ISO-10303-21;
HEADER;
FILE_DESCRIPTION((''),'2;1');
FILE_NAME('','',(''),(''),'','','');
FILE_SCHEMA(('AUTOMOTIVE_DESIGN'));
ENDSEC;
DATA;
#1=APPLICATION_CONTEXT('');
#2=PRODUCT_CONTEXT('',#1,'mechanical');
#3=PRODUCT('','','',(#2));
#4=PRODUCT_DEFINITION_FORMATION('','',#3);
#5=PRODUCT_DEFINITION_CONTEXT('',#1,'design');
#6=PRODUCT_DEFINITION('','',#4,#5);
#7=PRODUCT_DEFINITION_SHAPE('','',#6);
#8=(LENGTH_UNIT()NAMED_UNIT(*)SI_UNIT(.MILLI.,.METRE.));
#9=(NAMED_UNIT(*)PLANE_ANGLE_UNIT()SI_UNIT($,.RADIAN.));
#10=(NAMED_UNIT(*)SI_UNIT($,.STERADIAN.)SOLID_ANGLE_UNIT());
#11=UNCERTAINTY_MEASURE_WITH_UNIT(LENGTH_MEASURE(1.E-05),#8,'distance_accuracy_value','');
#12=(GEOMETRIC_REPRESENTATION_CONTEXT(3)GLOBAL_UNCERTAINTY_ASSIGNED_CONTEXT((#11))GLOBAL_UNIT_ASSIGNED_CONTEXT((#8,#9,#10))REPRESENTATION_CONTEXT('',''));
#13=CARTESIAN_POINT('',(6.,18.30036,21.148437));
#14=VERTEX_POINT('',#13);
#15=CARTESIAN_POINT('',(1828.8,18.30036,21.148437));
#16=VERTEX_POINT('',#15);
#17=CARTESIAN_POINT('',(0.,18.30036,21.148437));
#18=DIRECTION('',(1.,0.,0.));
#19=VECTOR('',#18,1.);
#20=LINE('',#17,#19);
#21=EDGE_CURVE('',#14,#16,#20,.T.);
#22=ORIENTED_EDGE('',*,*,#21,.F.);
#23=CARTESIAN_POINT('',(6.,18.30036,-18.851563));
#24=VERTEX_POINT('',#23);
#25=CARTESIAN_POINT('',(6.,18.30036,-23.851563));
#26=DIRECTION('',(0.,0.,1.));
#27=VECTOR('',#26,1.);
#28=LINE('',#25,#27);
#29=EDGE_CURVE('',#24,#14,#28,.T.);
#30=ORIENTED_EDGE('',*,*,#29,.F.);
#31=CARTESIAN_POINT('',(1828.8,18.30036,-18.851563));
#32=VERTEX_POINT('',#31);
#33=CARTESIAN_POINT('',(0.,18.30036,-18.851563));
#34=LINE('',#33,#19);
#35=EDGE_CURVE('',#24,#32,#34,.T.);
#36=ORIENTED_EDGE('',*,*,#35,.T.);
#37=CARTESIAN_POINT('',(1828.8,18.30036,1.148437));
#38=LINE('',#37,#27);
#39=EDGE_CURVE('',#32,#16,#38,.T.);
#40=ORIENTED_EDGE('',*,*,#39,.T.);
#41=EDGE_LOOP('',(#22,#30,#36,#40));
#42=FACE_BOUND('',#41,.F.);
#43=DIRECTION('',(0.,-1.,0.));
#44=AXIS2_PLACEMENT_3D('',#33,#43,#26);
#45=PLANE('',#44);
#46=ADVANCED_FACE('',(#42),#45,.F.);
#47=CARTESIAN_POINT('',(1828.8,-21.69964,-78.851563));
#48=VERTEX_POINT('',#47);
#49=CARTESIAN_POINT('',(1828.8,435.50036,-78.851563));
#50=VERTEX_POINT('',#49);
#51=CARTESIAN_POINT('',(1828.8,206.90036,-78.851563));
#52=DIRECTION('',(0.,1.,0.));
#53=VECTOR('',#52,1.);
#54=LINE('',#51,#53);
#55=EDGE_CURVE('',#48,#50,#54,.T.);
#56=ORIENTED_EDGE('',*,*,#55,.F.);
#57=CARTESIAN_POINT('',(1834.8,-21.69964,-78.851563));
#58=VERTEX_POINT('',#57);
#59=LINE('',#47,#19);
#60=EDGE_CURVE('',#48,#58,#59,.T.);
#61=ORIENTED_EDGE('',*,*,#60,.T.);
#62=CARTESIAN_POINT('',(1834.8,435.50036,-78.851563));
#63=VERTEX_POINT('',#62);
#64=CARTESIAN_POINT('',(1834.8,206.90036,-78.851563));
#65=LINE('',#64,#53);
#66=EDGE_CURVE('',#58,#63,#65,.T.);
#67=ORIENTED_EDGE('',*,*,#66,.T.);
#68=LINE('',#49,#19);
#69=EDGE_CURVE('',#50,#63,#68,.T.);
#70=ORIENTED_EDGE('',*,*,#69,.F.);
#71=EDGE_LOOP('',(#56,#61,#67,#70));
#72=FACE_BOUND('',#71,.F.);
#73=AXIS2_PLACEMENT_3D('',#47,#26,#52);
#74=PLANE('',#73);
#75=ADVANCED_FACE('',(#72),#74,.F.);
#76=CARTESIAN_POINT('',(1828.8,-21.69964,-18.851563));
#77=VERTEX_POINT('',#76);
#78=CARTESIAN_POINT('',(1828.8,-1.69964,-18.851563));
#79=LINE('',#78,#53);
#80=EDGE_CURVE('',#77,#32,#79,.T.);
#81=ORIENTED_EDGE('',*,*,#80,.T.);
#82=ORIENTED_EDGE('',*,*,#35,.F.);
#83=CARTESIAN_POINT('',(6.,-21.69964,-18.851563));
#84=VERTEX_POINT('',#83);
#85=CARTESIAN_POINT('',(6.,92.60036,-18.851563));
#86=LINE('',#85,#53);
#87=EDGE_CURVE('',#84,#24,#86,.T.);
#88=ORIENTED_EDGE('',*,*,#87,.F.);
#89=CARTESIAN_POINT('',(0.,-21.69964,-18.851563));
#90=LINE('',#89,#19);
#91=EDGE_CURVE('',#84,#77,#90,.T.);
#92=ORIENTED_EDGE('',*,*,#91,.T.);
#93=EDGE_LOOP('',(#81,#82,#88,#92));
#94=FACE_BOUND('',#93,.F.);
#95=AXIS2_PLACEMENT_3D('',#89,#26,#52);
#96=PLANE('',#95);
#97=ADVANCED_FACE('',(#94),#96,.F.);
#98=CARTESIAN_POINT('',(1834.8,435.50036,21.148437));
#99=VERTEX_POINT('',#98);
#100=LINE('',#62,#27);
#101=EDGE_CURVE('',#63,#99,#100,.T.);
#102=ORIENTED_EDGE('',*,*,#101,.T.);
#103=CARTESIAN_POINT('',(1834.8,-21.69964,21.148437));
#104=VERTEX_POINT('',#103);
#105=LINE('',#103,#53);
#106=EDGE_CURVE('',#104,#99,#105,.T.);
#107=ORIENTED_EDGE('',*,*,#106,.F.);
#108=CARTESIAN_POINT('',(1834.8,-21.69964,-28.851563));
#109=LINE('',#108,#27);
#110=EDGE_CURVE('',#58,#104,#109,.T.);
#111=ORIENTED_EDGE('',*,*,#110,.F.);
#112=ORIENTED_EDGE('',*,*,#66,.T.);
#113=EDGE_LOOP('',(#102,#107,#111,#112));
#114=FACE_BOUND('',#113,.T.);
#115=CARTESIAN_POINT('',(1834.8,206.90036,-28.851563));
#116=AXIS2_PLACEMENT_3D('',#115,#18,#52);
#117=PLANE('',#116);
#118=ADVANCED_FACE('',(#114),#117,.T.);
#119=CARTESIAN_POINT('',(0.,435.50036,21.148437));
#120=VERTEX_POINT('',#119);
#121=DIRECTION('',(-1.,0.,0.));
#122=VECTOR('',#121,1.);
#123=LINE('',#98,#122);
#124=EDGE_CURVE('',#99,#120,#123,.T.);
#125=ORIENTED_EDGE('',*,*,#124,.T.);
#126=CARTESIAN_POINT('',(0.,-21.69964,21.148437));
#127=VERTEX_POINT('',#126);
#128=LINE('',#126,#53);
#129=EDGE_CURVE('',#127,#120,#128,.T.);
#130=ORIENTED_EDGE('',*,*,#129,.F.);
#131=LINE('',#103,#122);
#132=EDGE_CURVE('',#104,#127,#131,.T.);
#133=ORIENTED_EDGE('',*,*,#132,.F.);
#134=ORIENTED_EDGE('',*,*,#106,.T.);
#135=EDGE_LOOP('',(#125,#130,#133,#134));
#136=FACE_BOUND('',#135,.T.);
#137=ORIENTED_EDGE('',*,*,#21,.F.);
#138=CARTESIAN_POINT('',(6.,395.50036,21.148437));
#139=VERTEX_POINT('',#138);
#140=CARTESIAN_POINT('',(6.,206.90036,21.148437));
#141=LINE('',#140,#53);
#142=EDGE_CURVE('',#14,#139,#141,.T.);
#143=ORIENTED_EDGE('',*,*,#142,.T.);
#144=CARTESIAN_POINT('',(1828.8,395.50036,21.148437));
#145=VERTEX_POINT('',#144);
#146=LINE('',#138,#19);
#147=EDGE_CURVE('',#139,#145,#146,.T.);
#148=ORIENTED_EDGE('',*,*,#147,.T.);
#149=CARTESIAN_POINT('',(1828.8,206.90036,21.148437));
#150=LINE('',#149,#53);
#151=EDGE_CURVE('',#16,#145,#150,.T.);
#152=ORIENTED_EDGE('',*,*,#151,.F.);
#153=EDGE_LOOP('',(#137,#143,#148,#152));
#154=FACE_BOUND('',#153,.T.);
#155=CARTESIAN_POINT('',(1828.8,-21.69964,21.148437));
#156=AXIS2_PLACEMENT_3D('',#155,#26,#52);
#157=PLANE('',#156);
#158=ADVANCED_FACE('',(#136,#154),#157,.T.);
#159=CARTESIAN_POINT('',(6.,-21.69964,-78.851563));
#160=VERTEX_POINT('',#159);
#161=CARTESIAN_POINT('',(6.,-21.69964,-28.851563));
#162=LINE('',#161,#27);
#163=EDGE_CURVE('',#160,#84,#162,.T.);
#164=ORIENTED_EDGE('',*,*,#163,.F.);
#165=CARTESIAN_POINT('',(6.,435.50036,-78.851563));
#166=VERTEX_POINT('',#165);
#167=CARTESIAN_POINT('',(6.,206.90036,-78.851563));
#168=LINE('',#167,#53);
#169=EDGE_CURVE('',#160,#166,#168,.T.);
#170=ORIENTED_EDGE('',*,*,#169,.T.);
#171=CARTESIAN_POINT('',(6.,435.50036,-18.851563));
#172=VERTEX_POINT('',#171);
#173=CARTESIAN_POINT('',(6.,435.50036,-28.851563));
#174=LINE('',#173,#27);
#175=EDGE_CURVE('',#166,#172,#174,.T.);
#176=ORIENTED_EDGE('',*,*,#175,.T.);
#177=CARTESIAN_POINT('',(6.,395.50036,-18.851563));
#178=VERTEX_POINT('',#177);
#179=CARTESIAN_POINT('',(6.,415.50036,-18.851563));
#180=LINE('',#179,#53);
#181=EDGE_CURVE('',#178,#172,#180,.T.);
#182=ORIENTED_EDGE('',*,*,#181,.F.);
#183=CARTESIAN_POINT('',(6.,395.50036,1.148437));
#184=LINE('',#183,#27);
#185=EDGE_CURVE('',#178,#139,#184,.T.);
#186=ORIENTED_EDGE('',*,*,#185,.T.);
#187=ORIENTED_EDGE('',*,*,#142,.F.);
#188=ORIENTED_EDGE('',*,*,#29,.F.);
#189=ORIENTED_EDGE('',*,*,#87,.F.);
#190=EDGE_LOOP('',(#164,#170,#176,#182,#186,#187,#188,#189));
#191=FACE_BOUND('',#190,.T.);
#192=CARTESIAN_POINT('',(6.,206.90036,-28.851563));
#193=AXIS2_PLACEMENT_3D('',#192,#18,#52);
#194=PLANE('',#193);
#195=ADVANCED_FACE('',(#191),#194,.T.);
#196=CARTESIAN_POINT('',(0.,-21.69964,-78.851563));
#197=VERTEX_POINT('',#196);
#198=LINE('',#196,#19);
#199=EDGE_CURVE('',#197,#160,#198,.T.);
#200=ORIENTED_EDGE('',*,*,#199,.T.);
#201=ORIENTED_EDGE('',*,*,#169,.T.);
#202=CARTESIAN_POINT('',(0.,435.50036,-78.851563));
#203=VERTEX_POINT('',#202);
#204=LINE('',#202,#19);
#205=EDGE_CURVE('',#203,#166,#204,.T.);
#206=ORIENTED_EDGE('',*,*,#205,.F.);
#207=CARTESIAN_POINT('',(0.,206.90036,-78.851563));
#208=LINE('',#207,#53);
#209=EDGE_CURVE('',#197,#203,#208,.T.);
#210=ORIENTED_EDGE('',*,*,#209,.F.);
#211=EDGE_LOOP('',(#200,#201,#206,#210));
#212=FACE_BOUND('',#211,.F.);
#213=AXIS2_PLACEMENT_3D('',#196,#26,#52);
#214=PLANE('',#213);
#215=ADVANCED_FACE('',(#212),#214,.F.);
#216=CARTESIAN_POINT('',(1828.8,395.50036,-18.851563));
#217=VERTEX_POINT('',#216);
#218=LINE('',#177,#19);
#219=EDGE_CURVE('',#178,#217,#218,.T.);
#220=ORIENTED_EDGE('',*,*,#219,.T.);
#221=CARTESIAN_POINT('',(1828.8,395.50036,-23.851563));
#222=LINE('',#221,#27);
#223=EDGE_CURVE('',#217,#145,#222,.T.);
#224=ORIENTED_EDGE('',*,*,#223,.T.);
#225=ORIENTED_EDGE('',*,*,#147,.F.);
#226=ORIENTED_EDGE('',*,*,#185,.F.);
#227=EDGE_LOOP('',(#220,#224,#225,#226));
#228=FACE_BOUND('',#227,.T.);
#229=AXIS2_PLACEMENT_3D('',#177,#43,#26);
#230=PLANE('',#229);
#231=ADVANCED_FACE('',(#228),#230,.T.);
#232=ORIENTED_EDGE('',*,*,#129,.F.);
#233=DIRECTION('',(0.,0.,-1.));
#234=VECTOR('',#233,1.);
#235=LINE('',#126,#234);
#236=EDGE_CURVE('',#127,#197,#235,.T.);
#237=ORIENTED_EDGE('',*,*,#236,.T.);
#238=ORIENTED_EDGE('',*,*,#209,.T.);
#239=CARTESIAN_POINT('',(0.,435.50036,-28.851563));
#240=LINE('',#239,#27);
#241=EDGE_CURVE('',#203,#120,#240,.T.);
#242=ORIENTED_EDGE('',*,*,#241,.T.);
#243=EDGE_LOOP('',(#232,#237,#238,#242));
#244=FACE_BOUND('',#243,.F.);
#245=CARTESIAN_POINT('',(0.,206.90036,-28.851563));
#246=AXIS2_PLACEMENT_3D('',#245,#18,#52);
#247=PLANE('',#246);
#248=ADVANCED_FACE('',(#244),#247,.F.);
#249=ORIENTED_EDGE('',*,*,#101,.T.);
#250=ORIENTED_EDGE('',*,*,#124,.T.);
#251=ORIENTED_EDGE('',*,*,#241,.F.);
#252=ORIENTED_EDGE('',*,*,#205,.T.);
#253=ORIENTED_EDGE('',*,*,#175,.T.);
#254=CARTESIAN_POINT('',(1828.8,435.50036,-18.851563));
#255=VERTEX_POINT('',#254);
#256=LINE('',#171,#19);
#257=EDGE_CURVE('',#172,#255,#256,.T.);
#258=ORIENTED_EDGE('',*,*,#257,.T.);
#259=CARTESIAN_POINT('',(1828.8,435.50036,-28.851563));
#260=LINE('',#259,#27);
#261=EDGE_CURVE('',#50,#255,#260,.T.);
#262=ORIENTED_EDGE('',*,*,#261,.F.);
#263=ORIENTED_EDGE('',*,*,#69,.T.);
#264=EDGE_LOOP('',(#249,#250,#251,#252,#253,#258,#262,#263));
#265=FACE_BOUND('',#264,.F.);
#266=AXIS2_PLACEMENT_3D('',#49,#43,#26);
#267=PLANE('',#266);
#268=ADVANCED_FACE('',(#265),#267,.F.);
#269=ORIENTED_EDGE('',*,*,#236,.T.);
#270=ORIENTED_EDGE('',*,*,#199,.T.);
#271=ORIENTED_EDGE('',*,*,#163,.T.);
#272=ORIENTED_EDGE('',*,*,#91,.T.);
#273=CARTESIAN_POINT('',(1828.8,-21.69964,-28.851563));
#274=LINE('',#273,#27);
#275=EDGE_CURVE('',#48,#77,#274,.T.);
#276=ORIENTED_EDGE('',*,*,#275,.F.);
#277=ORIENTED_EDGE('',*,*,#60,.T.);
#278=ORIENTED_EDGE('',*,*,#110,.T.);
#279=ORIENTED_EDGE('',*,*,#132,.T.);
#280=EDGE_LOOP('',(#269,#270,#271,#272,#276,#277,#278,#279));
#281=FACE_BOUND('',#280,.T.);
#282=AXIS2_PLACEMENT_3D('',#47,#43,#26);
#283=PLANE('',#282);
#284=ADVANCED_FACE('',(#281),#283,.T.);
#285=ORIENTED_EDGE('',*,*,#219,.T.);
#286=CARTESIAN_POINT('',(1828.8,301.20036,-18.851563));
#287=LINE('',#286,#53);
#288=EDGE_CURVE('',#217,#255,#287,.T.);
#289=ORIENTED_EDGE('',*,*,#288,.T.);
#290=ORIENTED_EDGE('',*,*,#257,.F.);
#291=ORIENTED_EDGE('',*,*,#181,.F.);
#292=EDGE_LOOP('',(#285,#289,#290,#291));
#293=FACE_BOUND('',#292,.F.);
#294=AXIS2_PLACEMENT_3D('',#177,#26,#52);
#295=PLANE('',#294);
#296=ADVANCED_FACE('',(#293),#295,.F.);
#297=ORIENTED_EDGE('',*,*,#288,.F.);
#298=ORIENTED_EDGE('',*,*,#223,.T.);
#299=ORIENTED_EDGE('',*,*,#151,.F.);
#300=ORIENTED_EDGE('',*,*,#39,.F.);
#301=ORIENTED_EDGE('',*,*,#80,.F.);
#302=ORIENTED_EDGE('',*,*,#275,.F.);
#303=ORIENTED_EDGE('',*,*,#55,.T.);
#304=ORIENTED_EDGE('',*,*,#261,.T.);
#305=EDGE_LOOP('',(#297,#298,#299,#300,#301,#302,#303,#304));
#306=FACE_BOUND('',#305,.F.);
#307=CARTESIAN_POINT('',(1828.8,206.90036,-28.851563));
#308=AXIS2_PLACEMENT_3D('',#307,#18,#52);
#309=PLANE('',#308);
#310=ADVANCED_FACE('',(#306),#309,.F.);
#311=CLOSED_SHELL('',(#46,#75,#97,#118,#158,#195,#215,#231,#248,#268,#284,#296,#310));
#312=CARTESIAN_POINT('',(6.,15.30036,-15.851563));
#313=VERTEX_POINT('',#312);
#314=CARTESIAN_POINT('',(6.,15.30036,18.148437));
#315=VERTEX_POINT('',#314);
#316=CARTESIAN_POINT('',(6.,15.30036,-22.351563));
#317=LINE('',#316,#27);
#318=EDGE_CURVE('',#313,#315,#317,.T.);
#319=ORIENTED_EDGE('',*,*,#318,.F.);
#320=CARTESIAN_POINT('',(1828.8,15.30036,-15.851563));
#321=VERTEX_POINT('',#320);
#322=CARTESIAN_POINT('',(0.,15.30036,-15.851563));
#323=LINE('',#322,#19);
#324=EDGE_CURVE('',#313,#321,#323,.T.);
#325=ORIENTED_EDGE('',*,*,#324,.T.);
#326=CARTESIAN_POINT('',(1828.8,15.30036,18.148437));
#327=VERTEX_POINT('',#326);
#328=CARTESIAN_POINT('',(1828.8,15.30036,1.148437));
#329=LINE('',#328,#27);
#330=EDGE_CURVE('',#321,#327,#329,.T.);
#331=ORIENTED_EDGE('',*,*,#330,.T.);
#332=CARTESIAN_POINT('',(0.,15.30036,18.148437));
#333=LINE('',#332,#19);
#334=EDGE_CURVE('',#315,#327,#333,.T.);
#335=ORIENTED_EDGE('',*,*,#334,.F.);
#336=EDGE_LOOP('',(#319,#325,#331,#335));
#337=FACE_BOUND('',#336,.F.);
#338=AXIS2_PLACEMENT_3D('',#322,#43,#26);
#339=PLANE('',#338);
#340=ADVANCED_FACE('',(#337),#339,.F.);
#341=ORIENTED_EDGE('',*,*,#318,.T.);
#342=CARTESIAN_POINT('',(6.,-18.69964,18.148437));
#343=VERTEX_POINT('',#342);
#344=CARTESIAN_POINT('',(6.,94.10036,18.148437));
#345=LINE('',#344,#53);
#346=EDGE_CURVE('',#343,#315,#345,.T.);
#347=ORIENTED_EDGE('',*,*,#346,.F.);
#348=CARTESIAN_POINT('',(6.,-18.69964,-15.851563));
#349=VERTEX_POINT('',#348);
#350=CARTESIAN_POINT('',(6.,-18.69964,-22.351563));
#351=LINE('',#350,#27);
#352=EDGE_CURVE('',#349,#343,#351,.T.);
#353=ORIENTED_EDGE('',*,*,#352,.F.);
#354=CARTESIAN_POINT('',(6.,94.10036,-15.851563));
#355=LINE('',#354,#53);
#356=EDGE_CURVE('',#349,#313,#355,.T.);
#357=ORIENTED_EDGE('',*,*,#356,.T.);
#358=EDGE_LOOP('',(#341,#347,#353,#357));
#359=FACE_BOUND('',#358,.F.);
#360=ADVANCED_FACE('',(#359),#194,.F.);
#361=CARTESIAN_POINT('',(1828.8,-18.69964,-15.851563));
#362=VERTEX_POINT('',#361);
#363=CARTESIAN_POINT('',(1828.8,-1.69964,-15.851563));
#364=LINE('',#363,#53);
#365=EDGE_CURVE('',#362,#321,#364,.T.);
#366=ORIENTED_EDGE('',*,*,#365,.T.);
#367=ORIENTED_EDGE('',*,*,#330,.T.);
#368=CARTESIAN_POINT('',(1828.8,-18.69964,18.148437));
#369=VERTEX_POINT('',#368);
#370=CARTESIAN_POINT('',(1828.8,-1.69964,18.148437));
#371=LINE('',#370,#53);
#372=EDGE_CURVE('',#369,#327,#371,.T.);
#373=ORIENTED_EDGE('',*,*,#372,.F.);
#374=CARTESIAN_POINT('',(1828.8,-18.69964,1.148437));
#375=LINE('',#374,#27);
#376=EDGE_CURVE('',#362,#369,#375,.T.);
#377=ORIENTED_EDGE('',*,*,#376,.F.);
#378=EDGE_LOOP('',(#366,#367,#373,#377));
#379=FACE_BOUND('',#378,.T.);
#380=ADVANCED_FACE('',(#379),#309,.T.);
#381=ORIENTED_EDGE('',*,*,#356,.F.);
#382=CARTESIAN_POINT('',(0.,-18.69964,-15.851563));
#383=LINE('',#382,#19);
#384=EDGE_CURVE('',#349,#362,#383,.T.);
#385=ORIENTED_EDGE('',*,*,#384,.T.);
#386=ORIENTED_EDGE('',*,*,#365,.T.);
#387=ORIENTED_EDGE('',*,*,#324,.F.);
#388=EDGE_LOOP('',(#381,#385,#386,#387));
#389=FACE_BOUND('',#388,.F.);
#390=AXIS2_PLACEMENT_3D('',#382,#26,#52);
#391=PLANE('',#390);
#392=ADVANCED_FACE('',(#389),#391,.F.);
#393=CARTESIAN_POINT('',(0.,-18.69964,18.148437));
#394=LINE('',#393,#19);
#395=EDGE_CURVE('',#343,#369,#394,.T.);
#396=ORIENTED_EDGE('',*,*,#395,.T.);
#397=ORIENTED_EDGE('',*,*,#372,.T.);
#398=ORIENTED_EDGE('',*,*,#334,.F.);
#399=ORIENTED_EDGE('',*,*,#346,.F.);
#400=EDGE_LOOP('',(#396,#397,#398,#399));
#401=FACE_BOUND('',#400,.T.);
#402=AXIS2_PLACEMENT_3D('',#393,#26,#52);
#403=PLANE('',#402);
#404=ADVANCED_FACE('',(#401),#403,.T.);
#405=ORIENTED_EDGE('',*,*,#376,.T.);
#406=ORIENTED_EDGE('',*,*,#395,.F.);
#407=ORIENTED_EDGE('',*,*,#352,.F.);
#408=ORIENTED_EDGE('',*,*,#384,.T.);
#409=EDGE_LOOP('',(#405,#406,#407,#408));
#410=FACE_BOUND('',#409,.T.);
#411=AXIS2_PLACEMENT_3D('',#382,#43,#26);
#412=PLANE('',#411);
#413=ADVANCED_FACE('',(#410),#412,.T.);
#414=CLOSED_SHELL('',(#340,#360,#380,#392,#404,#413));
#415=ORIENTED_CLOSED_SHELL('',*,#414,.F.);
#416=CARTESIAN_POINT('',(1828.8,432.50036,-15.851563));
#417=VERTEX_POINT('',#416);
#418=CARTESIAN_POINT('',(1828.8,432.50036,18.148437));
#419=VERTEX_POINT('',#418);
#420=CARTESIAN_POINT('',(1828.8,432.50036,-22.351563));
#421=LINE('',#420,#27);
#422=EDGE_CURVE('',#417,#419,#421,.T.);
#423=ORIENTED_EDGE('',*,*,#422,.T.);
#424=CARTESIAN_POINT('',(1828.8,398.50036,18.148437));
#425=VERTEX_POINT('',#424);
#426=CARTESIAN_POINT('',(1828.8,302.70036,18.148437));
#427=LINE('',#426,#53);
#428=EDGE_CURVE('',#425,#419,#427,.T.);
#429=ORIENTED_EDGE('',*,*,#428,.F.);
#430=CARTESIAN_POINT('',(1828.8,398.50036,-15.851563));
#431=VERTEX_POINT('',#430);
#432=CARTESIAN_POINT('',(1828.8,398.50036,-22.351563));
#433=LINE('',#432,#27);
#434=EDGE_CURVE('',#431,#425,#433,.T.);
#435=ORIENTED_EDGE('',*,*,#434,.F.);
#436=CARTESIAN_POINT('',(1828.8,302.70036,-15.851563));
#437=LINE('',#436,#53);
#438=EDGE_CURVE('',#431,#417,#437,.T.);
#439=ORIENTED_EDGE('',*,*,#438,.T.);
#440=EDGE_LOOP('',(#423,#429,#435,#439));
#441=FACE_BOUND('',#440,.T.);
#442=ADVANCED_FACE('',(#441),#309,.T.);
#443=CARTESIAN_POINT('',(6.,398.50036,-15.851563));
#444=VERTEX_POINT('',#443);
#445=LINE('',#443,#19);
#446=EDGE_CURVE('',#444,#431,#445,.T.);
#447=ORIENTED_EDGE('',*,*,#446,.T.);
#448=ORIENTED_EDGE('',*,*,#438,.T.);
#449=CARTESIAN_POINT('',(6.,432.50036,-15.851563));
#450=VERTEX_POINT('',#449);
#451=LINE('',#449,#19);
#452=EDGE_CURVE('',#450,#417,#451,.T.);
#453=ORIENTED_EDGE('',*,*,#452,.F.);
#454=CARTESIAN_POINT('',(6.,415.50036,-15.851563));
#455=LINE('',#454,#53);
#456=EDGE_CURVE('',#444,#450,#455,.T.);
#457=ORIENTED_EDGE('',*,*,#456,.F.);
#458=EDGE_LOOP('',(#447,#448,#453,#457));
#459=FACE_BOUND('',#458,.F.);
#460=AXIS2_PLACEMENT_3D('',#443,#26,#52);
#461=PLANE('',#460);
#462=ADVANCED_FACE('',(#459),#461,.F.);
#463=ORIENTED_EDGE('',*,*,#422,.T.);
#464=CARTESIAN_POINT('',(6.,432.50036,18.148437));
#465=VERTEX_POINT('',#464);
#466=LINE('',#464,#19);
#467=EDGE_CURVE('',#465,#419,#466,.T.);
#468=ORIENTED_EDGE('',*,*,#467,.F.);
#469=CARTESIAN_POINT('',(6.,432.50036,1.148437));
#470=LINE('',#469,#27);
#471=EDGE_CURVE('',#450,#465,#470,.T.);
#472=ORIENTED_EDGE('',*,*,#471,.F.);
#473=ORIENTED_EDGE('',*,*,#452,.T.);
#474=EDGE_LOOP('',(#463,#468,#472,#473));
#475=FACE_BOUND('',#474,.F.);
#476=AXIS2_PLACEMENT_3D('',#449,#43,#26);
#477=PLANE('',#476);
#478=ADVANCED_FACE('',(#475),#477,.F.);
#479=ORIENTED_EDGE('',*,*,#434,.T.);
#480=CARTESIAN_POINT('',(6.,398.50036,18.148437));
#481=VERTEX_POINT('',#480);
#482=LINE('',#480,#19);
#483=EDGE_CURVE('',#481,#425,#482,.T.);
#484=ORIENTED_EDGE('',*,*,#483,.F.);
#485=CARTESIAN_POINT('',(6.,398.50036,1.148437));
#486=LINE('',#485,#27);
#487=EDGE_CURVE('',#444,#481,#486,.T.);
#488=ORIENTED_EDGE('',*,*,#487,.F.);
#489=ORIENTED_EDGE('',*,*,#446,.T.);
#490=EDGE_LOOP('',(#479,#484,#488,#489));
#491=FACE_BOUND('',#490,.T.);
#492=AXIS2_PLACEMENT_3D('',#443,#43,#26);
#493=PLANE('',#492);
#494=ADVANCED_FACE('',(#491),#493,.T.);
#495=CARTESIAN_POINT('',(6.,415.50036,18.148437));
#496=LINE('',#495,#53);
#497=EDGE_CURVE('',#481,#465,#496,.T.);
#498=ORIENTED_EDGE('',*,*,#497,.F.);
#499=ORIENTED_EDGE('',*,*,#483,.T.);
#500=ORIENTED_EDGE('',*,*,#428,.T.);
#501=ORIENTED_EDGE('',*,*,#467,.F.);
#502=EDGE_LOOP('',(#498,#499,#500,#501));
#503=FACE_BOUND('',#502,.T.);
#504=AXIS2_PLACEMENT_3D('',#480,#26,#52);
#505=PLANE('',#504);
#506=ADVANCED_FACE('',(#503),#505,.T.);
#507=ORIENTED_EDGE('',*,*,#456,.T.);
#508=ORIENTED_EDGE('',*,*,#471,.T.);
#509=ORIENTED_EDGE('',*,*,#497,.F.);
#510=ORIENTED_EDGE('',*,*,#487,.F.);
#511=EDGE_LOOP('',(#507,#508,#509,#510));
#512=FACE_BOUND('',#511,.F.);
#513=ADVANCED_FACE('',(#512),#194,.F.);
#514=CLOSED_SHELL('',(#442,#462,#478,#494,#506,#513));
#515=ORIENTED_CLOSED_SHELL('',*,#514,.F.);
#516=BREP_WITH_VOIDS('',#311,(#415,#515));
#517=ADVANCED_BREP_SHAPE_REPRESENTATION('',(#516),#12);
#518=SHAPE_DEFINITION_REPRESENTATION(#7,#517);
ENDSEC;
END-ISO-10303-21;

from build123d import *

# Parameters (mm, degrees)
F0_W     = 40
F0_H     = 40
F0_W_2   = 34
F0_H_2   = 34
F1_DEPTH = 1828.8
F2_W     = 457.2
F2_H     = 100
F3_DEPTH = 6
F4_W     = 40
F4_H     = 40
F4_W_2   = 34
F4_H_2   = 34
F5_DEPTH = 1828.8
F6_W     = 457.2
F6_H     = 100
F7_DEPTH = 6


with BuildPart() as f1:
    # F0 (on Right) → F1 (new body)
    with BuildSketch(Plane.YZ):
        with Locations((-1.69964, 1.148437)):
            Rectangle(F0_W, F0_H)
        with Locations((-1.69964, 1.148437)):
            Rectangle(F0_W_2, F0_H_2, mode=Mode.SUBTRACT)
    extrude(amount=F1_DEPTH)

    # F2 (on Right) → F3 (join)
    with BuildSketch(Plane.YZ):
        with Locations((206.90036, -28.851563)):
            Rectangle(F2_W, F2_H)
    extrude(amount=F3_DEPTH)

    # F4 (on face) → F5 (join)
    with BuildSketch(Plane.YZ.offset(6)):
        with Locations((415.50036, 1.148437)):
            Rectangle(F4_W, F4_H)
        with Locations((415.50036, 1.148437)):
            Rectangle(F4_W_2, F4_H_2, mode=Mode.SUBTRACT)
    extrude(amount=F5_DEPTH)

    # F6 (on face) → F7 (join)
    with BuildSketch(Plane.YZ.offset(1828.8)):
        with Locations((206.90036, -28.851563)):
            Rectangle(F6_W, F6_H)
    extrude(amount=F7_DEPTH)


solid = f1.part
